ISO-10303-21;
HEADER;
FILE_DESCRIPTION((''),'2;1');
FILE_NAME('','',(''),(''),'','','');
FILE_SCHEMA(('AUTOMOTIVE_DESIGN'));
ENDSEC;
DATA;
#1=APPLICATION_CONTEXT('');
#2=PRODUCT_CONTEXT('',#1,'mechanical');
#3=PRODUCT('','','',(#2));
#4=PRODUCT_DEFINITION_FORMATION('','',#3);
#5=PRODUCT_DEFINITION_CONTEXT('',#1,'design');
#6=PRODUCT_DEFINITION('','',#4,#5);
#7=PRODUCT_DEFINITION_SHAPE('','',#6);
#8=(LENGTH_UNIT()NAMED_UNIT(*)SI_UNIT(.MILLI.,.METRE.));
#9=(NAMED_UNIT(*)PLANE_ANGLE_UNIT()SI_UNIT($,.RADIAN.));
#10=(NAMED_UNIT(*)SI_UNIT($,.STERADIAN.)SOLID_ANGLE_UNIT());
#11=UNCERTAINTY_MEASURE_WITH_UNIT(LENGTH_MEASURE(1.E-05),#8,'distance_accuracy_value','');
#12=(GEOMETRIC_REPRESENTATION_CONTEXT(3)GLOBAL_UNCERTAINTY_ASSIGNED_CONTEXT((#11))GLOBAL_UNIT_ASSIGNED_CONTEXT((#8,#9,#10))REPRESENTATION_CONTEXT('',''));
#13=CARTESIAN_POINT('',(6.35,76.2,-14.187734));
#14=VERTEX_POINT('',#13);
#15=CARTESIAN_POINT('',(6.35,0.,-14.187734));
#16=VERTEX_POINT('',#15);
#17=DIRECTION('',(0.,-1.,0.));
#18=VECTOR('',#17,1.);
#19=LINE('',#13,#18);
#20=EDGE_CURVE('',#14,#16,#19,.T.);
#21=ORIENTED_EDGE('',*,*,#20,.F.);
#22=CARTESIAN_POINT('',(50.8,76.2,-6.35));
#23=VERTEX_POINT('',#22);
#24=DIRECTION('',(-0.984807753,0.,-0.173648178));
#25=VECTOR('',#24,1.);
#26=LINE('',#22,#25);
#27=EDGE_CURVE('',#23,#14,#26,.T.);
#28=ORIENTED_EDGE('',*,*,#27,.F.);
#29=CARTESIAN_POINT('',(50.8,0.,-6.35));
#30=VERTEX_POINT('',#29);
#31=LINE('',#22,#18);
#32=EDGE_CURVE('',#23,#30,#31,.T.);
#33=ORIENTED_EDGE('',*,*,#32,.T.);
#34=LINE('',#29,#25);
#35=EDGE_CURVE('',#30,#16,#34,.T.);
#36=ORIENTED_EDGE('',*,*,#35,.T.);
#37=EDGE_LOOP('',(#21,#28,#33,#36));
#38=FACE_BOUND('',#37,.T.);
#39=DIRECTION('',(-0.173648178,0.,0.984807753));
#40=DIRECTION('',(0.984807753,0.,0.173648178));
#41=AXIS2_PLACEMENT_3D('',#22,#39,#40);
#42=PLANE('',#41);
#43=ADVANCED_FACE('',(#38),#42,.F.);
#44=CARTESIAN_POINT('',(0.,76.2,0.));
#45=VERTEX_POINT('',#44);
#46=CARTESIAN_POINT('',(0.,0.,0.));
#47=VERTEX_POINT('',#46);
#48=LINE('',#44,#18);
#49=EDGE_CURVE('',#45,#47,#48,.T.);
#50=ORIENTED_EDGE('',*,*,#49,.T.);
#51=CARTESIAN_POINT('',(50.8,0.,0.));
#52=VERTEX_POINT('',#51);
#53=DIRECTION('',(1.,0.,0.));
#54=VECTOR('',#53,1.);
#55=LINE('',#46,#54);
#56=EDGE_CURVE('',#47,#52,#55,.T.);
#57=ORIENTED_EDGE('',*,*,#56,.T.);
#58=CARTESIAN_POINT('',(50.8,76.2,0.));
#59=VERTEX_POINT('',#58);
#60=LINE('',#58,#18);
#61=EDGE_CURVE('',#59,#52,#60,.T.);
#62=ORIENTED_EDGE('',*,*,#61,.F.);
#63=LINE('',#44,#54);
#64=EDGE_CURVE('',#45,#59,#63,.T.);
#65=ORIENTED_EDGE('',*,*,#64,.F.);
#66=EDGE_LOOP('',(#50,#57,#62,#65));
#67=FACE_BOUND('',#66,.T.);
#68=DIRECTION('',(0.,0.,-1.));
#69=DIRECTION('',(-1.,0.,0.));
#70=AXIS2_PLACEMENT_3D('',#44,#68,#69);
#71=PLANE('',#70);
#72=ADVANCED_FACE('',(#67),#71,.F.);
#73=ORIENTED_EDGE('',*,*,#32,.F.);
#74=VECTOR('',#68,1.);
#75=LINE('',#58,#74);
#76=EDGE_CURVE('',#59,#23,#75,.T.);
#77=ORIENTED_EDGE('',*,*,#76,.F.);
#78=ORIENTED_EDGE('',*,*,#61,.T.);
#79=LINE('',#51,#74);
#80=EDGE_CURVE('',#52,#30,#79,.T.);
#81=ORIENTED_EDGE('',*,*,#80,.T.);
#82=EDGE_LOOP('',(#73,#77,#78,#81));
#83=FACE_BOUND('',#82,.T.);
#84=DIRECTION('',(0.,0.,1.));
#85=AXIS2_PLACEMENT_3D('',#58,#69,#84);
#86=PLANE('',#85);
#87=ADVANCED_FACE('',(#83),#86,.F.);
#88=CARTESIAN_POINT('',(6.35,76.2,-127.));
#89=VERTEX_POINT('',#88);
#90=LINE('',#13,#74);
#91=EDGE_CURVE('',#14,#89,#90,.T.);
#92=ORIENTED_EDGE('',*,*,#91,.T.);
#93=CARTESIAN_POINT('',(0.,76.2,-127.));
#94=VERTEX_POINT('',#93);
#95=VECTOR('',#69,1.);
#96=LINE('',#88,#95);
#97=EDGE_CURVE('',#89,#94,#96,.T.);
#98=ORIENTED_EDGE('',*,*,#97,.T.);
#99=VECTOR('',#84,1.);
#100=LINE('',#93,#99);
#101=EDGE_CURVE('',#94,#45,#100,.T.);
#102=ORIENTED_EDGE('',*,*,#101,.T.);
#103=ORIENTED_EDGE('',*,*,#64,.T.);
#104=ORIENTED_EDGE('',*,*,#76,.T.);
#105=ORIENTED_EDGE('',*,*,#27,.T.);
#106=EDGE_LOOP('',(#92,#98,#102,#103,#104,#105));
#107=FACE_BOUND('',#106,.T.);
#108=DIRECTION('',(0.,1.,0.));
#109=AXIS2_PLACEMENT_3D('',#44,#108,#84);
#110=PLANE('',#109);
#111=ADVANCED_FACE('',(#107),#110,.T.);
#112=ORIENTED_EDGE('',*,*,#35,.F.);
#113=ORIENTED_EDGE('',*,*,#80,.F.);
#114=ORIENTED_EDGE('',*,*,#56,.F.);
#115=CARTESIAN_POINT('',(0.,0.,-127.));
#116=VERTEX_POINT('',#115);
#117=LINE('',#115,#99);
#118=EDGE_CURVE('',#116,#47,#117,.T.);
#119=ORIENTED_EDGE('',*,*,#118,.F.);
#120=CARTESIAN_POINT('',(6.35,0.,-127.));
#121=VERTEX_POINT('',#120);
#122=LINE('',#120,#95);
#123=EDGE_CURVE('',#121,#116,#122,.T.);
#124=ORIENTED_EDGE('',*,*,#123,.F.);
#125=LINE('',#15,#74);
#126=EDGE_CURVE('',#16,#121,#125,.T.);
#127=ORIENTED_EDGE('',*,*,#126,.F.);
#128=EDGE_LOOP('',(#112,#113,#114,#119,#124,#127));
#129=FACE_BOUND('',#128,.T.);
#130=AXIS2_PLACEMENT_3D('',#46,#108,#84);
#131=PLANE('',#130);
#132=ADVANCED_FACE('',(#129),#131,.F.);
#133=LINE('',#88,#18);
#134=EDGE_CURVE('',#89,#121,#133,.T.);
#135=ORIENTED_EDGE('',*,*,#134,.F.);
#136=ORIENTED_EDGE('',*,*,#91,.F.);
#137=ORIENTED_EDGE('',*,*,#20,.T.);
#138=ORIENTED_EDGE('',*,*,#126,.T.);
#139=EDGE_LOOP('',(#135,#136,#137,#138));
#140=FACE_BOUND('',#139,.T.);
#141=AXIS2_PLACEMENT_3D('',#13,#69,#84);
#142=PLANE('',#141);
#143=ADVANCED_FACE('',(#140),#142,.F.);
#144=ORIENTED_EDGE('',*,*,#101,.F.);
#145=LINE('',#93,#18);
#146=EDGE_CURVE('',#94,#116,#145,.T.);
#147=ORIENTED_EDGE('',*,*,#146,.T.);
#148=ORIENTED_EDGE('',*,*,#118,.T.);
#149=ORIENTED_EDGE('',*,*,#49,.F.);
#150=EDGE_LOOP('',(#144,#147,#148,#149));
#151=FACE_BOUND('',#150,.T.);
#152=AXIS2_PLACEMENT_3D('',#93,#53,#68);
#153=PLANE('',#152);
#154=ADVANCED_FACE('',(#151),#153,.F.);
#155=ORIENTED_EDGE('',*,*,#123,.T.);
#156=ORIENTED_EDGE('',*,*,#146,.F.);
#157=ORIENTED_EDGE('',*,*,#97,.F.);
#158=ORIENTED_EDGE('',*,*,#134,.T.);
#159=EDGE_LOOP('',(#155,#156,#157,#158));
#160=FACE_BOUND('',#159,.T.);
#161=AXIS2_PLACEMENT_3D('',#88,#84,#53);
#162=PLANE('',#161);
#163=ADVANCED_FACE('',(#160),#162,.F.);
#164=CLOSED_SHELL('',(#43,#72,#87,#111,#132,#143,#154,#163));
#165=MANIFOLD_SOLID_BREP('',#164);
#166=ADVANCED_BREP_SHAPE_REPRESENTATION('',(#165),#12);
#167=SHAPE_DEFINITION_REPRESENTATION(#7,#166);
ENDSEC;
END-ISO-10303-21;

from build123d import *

# Parameters (mm, degrees)
EXTRUDE1_DEPTH = 76.2


with BuildPart() as part:
    # Sketch1 → Extrude1 (new body)
    with BuildSketch(Plane(origin=(0, 0, 0), x_dir=(1, 0, 0), z_dir=(0, 1, 0))):
        Polygon((0, 0), (50.8, 0), (50.8, 6.35), (6.35, 14.187734292), (6.35, 127), (0, 127), align=None)
    extrude(amount=EXTRUDE1_DEPTH)


solid = part.part
